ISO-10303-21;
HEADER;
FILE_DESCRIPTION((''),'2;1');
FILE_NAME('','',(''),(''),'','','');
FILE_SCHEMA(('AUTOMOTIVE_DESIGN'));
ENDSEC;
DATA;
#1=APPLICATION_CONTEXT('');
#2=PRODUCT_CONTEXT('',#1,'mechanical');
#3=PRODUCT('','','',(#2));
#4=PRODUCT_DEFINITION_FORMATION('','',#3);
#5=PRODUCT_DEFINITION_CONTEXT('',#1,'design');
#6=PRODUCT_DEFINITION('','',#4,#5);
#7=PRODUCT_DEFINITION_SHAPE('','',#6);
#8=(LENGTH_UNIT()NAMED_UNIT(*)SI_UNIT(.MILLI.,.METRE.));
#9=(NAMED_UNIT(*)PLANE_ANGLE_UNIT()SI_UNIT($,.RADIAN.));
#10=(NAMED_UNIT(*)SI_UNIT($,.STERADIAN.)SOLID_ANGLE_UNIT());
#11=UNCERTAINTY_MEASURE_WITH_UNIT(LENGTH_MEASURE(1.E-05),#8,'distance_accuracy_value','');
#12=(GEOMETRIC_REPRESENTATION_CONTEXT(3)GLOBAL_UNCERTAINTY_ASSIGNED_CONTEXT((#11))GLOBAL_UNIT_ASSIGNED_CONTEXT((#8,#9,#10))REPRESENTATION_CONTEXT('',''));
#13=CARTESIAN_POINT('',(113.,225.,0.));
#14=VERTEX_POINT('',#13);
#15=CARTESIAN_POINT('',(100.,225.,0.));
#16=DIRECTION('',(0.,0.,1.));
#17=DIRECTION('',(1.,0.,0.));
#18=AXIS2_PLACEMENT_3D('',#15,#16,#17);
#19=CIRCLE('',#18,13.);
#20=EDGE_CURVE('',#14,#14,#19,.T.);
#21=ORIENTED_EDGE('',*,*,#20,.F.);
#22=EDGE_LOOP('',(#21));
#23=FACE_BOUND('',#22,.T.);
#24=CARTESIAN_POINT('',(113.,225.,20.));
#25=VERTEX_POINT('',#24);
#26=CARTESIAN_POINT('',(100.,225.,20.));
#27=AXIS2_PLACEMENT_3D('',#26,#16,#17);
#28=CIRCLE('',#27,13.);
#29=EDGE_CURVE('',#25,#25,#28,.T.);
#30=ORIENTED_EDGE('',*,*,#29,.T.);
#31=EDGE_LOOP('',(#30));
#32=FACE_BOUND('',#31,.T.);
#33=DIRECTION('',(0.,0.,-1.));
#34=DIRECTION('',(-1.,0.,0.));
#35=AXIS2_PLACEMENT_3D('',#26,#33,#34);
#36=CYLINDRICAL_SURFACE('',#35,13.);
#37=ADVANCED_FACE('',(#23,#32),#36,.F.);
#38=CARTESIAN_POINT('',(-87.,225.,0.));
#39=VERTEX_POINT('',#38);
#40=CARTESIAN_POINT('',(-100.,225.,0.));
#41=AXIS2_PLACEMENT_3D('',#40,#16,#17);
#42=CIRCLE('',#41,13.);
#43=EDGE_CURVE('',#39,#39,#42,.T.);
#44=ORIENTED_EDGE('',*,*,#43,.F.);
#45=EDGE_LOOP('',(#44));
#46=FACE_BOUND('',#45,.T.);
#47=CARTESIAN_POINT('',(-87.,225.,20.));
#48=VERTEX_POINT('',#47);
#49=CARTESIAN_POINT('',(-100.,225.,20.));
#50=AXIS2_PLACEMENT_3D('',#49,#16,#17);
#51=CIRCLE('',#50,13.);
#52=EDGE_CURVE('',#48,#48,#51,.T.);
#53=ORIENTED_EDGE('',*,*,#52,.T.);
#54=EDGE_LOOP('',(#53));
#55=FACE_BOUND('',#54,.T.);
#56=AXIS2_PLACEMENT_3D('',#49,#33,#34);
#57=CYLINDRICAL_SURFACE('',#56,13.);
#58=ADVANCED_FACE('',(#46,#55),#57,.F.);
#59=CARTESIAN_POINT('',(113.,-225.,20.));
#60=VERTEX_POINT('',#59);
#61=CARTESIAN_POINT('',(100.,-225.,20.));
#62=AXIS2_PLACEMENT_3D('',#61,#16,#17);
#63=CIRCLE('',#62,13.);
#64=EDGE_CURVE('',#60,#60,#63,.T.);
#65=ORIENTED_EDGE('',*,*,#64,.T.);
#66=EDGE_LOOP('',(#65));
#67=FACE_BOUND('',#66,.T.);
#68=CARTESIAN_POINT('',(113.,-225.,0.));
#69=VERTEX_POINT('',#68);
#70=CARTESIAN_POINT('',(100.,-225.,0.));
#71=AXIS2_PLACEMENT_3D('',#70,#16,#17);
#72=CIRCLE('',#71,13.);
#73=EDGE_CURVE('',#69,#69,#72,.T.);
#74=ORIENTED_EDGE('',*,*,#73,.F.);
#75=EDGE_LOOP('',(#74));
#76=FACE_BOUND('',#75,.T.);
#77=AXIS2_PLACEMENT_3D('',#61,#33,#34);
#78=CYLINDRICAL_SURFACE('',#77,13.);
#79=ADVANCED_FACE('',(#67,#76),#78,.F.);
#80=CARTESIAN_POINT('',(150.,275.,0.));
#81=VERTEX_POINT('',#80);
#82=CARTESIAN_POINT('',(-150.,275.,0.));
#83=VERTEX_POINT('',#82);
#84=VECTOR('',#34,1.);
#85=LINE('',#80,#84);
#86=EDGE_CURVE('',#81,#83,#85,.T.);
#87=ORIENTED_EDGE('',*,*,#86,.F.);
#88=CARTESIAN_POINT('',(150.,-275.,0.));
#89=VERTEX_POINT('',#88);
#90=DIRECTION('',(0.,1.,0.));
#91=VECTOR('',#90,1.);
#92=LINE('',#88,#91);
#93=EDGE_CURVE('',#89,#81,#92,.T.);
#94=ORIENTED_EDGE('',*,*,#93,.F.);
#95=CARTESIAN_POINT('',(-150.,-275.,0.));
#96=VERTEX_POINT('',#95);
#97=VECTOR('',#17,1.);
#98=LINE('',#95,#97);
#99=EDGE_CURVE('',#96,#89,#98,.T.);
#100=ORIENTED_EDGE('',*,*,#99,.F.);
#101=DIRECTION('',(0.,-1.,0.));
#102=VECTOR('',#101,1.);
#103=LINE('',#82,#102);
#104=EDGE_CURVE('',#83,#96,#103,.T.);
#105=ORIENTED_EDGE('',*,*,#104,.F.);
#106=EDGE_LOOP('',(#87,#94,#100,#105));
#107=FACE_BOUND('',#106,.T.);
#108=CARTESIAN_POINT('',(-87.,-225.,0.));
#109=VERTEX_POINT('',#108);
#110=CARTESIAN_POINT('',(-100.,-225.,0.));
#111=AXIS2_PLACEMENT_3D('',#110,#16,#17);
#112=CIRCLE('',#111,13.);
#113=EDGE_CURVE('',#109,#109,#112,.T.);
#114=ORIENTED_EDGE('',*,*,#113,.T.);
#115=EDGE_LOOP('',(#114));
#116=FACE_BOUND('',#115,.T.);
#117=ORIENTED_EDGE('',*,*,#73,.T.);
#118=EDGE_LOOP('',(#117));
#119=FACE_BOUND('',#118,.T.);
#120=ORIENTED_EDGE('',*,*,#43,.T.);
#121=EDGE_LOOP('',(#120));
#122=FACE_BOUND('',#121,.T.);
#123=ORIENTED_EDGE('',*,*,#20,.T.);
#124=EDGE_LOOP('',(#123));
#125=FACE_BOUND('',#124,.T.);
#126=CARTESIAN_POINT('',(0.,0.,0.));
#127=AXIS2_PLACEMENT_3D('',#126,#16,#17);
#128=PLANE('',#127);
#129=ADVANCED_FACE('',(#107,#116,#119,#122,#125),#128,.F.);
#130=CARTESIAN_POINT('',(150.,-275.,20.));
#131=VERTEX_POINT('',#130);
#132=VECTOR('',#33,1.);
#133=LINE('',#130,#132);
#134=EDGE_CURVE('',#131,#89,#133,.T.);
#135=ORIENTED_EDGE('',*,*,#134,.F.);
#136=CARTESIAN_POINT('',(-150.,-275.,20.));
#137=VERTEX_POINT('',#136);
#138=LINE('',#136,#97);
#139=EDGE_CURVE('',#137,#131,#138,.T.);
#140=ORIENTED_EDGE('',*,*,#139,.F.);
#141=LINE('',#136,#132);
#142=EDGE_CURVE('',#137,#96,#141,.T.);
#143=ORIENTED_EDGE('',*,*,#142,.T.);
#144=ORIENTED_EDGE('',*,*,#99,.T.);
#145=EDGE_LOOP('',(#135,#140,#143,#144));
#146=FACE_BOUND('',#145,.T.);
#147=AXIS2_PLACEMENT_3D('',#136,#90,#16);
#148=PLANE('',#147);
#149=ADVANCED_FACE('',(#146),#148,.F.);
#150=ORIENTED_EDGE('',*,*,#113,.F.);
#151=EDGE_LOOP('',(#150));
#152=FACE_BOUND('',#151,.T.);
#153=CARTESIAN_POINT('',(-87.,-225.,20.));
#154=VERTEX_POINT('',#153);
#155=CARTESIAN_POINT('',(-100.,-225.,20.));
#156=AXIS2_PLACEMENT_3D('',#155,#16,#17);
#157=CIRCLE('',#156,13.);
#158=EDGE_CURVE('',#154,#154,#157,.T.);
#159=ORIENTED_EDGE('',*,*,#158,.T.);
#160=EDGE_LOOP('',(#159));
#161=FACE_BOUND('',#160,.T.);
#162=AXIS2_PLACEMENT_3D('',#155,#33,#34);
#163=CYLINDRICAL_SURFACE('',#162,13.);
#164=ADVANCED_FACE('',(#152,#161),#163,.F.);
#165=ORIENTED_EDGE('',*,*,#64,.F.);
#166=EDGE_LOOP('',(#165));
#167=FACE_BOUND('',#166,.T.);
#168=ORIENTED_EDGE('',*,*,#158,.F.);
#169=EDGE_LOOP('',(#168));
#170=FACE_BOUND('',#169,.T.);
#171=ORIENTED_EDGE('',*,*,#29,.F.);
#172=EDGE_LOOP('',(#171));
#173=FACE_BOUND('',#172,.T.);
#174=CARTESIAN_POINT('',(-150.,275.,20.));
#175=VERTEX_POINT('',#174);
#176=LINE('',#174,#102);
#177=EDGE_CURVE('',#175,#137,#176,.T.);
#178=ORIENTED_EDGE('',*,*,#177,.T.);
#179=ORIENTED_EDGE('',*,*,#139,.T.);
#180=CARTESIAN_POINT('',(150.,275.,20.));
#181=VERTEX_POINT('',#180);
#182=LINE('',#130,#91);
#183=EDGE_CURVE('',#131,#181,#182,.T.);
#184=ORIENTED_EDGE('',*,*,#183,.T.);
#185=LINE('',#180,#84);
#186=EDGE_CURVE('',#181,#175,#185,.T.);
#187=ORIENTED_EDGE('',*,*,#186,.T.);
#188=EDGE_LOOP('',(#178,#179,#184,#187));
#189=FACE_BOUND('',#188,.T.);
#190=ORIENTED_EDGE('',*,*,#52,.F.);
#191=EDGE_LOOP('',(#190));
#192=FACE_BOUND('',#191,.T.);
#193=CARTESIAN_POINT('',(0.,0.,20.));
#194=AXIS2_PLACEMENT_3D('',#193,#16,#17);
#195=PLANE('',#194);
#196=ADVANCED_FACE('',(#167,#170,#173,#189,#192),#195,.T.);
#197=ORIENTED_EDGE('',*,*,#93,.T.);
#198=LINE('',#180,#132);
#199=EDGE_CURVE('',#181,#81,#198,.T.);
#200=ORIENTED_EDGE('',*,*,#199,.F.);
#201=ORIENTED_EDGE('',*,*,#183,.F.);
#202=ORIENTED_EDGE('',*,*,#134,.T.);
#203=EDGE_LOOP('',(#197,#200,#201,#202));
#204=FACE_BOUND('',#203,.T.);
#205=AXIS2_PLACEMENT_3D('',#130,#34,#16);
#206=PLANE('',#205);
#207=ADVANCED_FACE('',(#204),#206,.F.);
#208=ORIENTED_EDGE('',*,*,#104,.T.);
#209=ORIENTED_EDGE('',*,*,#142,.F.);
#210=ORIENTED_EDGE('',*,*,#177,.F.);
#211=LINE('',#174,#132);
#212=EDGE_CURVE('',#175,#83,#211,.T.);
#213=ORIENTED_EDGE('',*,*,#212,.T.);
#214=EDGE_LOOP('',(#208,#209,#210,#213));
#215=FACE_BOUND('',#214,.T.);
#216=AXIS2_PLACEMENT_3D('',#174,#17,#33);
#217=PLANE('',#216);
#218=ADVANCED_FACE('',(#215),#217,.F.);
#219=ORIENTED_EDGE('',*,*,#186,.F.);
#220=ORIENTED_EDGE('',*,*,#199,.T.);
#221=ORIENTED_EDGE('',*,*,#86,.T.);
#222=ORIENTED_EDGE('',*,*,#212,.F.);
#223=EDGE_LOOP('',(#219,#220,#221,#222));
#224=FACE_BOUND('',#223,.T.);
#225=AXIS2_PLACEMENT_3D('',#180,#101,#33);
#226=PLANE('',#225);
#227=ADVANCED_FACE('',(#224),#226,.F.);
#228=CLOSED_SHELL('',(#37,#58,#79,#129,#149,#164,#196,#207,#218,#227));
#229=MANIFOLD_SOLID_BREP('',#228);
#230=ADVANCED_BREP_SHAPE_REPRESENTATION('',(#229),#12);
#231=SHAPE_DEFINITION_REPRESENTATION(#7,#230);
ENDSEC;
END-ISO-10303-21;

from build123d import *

# Parameters (mm, degrees)
SKETCH_1_W      = 300
SKETCH_1_H      = 550
SKETCH_1_R      = 13
EXTRUDE_1_DEPTH = 20


with BuildPart() as part:
    # Эскиз1 → Бобышка-Вытянуть1 (new body)
    with BuildSketch(Plane.XY):
        Rectangle(SKETCH_1_W, SKETCH_1_H)
        with Locations((-100, 225)):
            Circle(SKETCH_1_R, mode=Mode.SUBTRACT)
        with Locations((100, 225)):
            Circle(SKETCH_1_R, mode=Mode.SUBTRACT)
        with Locations((100, -225)):
            Circle(SKETCH_1_R, mode=Mode.SUBTRACT)
        with Locations((-100, -225)):
            Circle(SKETCH_1_R, mode=Mode.SUBTRACT)
    extrude(amount=EXTRUDE_1_DEPTH)


solid = part.part
